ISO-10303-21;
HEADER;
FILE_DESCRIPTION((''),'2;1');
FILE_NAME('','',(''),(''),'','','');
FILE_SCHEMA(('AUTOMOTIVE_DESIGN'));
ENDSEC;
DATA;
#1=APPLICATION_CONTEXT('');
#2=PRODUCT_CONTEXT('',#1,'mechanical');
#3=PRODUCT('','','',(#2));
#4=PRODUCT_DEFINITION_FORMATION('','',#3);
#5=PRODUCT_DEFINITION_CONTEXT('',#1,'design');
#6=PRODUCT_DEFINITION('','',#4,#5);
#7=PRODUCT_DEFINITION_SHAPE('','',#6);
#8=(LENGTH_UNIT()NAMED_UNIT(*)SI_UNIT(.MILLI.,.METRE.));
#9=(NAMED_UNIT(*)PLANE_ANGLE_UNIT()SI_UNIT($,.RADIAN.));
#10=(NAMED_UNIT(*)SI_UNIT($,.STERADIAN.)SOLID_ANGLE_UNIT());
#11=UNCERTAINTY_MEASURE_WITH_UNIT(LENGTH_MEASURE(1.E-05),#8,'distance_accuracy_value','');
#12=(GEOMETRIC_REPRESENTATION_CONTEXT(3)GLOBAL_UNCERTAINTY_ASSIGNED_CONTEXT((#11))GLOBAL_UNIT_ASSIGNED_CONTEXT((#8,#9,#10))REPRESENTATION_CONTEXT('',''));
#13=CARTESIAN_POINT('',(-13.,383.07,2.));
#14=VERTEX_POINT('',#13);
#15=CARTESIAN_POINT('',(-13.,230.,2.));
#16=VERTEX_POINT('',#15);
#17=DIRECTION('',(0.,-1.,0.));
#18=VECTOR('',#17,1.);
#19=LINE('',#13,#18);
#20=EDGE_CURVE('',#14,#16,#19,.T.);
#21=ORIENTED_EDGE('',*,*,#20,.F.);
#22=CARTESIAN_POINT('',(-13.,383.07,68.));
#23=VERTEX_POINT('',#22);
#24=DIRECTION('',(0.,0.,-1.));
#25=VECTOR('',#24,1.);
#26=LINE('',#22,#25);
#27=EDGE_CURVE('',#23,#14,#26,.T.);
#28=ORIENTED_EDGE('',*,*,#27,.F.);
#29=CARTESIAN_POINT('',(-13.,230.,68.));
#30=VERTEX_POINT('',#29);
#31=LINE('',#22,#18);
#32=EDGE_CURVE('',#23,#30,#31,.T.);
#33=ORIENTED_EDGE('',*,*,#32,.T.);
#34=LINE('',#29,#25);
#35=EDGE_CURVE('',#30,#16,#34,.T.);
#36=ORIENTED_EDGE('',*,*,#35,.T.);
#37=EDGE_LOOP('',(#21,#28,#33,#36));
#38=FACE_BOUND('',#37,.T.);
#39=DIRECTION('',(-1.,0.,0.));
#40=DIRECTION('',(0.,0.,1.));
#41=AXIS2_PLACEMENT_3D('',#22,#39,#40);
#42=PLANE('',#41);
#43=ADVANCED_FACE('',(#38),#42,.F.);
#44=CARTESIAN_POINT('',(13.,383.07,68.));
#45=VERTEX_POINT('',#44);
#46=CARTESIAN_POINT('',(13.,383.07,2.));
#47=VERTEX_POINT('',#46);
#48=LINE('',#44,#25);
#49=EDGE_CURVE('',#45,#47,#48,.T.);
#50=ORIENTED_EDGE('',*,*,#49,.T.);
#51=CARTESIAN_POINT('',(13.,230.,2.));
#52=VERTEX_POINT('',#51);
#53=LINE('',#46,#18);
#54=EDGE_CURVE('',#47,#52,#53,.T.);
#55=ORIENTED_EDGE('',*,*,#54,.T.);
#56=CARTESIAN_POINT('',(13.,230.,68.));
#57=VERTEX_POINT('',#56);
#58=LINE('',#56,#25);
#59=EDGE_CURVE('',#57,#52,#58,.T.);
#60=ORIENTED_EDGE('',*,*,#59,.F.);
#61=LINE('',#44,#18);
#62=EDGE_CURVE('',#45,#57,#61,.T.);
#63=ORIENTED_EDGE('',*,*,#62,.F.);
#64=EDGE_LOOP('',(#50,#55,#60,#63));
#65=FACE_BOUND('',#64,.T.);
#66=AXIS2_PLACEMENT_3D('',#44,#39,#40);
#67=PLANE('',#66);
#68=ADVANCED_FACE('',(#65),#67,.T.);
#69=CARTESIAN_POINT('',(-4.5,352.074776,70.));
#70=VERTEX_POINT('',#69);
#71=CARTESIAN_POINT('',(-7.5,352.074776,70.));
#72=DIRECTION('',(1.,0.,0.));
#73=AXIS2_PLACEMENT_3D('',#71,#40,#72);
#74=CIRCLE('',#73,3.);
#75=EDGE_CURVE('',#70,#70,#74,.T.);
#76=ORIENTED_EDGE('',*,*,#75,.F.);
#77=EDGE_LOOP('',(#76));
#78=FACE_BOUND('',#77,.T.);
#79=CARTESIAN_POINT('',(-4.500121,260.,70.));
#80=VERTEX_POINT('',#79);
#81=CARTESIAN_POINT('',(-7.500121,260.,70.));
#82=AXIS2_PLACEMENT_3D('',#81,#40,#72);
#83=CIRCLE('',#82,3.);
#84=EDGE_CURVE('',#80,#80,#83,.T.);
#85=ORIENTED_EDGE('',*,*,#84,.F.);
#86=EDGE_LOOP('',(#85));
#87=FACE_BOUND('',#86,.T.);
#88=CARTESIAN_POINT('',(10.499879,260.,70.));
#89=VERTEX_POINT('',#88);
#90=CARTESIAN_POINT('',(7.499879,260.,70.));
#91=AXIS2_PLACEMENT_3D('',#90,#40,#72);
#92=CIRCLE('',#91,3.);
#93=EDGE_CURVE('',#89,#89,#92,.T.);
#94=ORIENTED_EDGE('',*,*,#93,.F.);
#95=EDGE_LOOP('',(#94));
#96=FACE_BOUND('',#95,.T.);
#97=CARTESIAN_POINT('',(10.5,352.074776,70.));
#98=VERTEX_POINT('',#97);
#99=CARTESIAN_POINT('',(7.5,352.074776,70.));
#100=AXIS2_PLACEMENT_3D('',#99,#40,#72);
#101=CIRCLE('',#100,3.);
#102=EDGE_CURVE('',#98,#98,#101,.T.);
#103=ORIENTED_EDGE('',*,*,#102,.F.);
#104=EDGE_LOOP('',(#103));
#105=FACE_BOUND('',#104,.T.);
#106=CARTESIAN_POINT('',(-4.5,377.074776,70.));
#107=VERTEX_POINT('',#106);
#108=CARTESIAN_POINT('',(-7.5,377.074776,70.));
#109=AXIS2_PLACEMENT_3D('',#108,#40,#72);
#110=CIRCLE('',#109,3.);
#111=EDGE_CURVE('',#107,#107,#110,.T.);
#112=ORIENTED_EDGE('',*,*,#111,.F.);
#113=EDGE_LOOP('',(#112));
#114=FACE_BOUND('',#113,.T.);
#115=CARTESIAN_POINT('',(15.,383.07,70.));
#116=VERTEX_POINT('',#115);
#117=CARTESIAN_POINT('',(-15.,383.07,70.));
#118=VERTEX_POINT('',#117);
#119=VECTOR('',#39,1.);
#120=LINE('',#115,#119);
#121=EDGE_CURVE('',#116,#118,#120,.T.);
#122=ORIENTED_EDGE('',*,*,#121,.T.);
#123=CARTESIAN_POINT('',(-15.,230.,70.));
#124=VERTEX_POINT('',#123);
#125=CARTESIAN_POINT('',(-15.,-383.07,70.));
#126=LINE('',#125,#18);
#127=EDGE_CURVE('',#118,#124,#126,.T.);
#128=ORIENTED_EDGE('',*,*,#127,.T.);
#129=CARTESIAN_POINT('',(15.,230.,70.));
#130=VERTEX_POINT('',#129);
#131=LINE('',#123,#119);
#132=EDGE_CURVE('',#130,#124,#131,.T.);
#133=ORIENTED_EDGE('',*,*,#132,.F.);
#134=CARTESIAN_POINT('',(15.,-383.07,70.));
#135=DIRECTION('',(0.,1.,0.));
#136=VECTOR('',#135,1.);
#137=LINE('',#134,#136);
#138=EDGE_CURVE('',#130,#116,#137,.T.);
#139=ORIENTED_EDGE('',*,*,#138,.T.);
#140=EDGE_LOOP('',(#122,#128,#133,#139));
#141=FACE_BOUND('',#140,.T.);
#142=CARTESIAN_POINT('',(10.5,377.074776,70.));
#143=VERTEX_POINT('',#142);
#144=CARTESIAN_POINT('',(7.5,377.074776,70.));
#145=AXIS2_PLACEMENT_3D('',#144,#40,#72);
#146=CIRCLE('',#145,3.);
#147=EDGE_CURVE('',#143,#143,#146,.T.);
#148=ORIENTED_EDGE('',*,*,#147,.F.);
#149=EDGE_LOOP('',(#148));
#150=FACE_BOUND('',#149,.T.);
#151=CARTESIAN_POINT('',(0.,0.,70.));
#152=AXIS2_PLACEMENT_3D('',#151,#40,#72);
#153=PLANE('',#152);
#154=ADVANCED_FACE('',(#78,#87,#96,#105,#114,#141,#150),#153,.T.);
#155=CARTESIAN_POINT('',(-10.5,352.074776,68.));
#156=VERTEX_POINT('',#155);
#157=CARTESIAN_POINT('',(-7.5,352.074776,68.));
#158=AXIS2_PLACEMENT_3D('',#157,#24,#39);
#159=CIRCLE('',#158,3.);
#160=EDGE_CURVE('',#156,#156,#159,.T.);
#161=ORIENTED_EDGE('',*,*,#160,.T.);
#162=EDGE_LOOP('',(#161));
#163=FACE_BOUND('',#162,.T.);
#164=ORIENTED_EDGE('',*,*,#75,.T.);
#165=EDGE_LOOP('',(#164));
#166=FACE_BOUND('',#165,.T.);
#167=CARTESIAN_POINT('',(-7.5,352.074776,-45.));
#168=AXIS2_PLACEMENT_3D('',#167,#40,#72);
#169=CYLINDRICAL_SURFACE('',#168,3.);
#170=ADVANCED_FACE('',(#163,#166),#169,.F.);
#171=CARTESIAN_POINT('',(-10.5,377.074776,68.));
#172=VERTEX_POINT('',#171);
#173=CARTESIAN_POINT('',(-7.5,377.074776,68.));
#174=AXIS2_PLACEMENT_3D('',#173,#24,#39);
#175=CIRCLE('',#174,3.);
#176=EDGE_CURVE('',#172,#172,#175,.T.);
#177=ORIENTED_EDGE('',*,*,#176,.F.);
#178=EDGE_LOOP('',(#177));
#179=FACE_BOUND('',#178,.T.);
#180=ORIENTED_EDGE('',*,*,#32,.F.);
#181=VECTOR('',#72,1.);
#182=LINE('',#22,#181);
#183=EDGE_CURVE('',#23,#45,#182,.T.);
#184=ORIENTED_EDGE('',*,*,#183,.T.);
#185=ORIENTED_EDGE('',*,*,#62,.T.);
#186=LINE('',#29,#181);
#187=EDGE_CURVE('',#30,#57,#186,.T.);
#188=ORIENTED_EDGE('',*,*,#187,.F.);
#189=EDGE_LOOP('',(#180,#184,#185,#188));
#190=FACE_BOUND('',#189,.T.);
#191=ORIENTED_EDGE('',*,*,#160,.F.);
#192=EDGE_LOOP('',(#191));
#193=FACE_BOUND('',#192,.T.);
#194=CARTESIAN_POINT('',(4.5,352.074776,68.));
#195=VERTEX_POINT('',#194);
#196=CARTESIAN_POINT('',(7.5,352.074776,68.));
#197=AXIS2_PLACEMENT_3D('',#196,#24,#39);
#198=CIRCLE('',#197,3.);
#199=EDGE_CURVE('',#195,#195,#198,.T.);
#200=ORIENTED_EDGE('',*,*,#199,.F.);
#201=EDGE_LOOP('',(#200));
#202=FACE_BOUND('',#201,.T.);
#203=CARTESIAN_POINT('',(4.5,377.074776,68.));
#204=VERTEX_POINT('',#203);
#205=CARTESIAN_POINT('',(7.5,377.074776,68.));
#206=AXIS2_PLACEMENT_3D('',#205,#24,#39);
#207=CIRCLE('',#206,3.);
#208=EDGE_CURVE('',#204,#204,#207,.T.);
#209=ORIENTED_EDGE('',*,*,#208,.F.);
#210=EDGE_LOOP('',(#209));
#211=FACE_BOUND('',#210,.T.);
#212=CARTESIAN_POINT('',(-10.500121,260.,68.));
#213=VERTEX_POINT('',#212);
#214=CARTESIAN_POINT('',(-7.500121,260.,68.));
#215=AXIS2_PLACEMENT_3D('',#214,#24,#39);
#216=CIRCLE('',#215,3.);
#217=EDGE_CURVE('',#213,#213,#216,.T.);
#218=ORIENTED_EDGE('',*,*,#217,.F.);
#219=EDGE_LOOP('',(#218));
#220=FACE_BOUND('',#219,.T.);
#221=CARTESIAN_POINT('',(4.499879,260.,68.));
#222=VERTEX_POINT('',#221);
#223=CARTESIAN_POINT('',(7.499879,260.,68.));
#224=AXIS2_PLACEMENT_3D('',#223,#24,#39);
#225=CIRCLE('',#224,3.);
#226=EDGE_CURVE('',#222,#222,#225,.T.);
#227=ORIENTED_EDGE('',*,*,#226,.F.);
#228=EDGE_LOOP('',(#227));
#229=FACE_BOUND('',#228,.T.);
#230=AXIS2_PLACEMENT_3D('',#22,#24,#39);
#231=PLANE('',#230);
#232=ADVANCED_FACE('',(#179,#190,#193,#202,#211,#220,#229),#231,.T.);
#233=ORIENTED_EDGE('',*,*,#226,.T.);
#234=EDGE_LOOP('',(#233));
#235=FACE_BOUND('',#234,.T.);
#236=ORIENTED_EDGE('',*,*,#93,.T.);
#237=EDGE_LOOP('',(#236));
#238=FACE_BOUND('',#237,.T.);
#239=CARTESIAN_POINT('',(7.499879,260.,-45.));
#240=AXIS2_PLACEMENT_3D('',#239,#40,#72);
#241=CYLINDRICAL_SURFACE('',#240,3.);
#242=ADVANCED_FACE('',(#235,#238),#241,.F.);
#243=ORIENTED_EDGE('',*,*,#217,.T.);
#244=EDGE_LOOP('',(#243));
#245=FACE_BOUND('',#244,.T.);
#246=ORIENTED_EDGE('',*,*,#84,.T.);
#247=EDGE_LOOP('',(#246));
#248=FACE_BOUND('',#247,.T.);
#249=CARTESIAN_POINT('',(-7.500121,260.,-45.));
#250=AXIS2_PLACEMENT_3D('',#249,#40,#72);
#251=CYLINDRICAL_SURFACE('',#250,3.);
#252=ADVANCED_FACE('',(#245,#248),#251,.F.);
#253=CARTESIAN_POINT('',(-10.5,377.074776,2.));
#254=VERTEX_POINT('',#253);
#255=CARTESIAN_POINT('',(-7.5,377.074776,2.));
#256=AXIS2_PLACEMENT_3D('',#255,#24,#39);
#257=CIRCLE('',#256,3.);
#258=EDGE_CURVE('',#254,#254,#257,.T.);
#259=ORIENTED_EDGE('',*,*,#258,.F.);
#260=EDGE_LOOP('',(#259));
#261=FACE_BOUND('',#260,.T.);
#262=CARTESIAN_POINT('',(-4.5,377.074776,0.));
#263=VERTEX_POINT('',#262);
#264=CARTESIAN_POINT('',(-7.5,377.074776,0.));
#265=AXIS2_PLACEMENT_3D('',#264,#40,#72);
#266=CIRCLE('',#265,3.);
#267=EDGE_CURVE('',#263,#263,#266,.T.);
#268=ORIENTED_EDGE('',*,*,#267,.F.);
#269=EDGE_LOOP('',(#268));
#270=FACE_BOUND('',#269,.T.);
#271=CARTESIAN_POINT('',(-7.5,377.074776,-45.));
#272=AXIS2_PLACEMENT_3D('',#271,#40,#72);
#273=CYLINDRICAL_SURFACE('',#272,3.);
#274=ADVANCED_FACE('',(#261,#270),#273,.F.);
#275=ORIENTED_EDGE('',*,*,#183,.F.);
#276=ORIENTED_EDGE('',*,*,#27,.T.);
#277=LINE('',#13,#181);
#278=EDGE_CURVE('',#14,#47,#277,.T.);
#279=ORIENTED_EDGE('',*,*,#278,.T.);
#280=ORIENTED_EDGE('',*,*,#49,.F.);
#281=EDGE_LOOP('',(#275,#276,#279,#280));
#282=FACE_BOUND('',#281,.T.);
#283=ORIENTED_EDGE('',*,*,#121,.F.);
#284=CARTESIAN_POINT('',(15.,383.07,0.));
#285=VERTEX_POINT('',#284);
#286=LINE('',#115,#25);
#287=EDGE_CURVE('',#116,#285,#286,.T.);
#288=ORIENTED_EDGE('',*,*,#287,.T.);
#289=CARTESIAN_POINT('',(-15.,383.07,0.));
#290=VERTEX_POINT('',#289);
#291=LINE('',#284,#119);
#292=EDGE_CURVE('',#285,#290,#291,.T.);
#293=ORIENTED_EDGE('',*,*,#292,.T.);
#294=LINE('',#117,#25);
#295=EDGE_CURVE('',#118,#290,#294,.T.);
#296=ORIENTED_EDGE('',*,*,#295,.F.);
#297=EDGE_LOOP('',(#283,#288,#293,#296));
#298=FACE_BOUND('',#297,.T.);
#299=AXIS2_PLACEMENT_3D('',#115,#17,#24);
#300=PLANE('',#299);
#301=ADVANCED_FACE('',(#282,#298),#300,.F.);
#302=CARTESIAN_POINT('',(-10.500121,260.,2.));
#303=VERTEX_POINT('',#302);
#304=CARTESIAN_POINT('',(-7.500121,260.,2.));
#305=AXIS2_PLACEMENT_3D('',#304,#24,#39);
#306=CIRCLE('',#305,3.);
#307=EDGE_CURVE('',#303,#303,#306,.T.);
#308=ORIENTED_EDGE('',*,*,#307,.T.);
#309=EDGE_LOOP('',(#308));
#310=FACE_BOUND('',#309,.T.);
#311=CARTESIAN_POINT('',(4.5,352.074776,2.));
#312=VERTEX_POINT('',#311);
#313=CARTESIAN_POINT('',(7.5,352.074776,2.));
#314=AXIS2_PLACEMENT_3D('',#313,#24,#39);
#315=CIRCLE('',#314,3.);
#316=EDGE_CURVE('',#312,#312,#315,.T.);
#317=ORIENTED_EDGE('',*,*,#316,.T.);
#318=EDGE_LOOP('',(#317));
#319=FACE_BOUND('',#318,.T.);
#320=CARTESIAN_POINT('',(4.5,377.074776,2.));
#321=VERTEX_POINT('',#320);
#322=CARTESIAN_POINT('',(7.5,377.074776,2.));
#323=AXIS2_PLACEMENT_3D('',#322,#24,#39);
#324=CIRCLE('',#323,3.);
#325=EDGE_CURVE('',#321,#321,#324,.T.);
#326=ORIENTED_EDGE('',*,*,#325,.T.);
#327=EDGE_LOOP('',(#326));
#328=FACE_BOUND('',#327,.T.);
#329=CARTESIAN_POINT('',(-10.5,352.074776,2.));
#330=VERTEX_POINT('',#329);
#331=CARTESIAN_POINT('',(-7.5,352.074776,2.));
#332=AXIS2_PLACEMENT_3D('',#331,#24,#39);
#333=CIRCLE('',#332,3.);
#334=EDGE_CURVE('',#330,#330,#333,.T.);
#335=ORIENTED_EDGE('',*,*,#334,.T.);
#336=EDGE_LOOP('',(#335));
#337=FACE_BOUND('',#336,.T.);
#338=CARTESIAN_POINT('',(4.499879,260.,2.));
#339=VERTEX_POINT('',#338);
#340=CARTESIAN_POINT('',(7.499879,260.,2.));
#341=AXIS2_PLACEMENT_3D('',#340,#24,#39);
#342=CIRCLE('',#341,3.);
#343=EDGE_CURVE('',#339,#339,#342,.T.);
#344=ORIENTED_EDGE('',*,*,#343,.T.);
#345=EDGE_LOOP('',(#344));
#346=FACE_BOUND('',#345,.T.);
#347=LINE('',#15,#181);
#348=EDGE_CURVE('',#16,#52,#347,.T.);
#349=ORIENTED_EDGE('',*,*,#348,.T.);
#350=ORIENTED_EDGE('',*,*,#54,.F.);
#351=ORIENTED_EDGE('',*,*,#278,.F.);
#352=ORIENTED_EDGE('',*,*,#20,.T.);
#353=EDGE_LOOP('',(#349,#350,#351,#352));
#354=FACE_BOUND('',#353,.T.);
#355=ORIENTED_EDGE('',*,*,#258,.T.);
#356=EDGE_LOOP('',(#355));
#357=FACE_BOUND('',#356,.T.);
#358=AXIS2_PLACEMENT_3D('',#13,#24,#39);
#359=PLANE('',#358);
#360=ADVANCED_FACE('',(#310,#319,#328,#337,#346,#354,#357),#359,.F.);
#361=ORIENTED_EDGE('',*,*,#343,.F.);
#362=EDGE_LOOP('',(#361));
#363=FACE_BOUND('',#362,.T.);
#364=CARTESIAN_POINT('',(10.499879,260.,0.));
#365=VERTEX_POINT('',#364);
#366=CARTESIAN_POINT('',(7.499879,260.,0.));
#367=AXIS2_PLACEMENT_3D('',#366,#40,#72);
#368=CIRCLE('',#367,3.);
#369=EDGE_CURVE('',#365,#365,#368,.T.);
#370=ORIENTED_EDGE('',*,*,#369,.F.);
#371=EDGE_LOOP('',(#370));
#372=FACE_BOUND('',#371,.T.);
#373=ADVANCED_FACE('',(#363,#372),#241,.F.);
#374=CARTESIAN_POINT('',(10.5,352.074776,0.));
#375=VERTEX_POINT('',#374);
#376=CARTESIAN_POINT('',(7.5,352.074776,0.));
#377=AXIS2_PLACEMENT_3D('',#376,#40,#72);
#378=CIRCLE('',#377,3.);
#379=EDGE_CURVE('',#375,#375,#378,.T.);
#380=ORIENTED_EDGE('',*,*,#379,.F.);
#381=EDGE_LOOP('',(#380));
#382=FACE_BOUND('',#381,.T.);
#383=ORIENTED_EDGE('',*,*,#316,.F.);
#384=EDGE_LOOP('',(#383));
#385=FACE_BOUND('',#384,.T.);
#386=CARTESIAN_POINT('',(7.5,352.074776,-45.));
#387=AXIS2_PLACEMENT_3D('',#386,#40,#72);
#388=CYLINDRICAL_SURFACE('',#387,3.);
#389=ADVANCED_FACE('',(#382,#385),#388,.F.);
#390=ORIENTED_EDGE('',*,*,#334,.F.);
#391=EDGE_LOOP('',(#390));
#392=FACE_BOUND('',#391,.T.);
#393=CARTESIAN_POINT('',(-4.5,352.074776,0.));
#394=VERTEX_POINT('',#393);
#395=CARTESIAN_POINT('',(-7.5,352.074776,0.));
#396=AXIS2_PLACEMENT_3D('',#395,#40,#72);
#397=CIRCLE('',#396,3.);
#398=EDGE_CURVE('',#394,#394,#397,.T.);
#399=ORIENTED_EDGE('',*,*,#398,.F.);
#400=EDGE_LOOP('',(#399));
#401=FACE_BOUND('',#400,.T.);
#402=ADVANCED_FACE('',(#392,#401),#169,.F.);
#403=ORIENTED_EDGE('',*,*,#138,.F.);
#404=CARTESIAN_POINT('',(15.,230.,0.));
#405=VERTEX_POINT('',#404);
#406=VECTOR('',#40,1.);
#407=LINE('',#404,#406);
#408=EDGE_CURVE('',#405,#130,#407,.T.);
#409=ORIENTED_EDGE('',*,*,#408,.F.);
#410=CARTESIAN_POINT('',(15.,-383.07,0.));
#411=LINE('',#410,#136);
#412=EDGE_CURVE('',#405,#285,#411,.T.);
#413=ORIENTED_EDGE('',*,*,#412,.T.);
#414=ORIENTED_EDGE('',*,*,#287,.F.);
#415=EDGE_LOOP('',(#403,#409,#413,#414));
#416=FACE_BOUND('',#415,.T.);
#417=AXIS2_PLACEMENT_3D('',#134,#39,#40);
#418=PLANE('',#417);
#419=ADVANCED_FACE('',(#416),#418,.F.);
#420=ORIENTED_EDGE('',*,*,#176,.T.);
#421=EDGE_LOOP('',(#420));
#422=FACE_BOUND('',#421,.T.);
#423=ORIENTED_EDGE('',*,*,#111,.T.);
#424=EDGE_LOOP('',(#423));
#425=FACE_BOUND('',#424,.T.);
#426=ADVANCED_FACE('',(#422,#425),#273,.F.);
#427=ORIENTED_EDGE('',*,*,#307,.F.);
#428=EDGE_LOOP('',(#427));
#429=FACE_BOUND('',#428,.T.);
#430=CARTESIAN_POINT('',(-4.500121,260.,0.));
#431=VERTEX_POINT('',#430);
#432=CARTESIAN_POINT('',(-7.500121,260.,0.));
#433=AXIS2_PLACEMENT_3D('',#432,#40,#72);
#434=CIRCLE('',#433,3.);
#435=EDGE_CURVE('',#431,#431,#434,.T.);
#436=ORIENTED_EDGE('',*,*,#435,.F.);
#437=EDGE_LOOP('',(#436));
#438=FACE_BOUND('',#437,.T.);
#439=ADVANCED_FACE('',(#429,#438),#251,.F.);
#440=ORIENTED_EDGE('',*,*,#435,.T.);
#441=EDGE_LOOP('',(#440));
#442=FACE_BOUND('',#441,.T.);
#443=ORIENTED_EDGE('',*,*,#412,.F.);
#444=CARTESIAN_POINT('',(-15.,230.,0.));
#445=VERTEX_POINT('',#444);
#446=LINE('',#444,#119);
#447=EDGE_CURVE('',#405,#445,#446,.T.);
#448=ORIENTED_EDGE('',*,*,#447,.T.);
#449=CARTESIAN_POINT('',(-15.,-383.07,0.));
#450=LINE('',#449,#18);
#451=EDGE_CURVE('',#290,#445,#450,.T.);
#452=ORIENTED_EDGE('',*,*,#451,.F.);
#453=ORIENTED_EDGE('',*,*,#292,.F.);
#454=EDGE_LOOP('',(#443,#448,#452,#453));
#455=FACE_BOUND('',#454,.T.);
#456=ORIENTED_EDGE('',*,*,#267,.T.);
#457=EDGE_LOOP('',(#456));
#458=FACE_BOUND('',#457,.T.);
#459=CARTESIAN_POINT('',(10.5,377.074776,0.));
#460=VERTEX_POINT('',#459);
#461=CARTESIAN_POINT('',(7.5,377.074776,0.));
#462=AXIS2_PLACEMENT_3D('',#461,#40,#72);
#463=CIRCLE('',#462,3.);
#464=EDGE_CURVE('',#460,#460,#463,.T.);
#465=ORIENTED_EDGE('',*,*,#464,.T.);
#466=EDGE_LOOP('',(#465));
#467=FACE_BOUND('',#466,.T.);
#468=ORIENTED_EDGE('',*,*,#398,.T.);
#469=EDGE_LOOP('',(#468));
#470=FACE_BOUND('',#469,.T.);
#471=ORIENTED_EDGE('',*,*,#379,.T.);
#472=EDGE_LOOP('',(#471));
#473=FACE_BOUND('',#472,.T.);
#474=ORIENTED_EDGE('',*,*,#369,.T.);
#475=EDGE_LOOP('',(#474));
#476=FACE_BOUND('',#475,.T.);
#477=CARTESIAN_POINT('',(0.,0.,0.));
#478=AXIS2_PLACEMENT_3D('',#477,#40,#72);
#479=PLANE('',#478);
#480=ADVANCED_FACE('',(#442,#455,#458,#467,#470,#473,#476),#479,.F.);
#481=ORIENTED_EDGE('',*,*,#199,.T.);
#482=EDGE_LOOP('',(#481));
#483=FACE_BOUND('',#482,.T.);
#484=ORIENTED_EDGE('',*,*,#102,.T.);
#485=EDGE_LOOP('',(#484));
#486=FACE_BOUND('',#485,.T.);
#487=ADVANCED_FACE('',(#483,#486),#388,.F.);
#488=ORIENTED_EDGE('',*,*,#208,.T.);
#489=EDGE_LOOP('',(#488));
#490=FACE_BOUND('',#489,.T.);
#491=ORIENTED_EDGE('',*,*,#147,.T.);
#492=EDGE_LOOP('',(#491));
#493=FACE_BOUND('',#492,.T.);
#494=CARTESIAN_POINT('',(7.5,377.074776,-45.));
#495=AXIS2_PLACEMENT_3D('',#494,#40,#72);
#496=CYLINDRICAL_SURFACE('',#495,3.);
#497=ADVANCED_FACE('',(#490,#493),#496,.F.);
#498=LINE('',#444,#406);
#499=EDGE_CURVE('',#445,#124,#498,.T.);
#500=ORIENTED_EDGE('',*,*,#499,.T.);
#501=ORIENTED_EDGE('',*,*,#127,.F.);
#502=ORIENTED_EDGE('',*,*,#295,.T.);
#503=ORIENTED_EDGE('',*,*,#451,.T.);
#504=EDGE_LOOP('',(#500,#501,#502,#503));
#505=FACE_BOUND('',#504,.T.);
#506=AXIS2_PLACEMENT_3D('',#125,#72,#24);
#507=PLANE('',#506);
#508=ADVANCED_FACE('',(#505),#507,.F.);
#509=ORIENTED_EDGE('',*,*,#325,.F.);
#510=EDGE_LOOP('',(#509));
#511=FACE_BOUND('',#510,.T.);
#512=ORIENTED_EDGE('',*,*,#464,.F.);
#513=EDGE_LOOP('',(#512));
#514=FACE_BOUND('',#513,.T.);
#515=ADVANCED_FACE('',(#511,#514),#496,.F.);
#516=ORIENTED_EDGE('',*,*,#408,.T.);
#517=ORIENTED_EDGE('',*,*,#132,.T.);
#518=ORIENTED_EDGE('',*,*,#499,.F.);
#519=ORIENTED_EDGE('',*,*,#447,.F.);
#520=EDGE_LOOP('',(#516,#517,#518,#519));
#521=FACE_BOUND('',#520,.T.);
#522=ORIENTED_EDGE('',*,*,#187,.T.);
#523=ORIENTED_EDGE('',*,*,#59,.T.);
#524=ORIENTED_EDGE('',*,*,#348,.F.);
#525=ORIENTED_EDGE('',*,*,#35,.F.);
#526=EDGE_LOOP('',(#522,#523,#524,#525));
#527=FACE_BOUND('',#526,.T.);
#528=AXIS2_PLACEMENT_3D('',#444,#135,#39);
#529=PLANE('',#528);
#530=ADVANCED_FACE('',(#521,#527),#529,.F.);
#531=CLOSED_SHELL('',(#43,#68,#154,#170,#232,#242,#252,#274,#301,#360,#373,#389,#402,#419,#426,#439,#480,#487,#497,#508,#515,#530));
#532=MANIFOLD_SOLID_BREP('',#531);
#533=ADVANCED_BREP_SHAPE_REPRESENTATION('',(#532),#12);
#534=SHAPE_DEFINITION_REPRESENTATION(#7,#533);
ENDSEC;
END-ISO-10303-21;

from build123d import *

# Parameters (mm, degrees)
SKETCH_1_W          = 30
SKETCH_1_H          = 766.14
SKETCH_1_R          = 2
SKETCH_1_R_2        = 1.999999998
EXTRUDE_2_DEPTH     = 70
SKETCH_2_W          = 26
SKETCH_2_H          = 66
CUT_EXTRUDE_3_DEPTH = 767.14
SKETCH_3_W          = 30
SKETCH_3_H          = 624.936750841
CUT_EXTRUDE_4_DEPTH = 71
SKETCH_4_R          = 3
CUT_EXTRUDE_5_DEPTH = 115


with BuildPart() as part:
    # 草图1 → 凸台-拉伸2 (new body)
    with BuildSketch(Plane.XY):
        Rectangle(SKETCH_1_W, SKETCH_1_H)
        with Locations((-7.500000035, 377.074776011)):
            Circle(SKETCH_1_R, mode=Mode.SUBTRACT)
        with Locations((7.499999965, 377.074776011)):
            Circle(SKETCH_1_R, mode=Mode.SUBTRACT)
        with Locations((-7.500000035, 352.074776011)):
            Circle(SKETCH_1_R, mode=Mode.SUBTRACT)
        with Locations((7.499999965, 352.074776011)):
            Circle(SKETCH_1_R, mode=Mode.SUBTRACT)
        with Locations((7.499878903, 260.000000008)):
            Circle(SKETCH_1_R_2, mode=Mode.SUBTRACT)
        with Locations((-7.500121097, 260.000000008)):
            Circle(SKETCH_1_R_2, mode=Mode.SUBTRACT)
    extrude(amount=EXTRUDE_2_DEPTH)

    # 草图2 → 切除-拉伸3 (cut, through all)
    with BuildSketch(Plane.XZ.offset(383.07)):
        with Locations((0, 35)):
            Rectangle(SKETCH_2_W, SKETCH_2_H)
    extrude(amount=-CUT_EXTRUDE_3_DEPTH, mode=Mode.SUBTRACT)

    # 草图3 → 切除-拉伸4 (cut, through all)
    with BuildSketch(Plane.XY.offset(70)):
        with Locations((0, -82.468375421)):
            Rectangle(SKETCH_3_W, SKETCH_3_H)
    extrude(amount=-CUT_EXTRUDE_4_DEPTH, mode=Mode.SUBTRACT)

    # 草图4 → 切除-拉伸5 (cut)
    with BuildSketch(Plane.XY.offset(70)):
        with Locations((-7.500000035, 377.074776011)):
            Circle(SKETCH_4_R)
        with Locations((7.499999965, 377.074776011)):
            Circle(SKETCH_4_R)
        with Locations((7.499999965, 352.074776011)):
            Circle(SKETCH_4_R)
        with Locations((-7.500000035, 352.074776011)):
            Circle(SKETCH_4_R)
        with Locations((-7.500121097, 260.000000008)):
            Circle(SKETCH_4_R)
        with Locations((7.499878903, 260.000000008)):
            Circle(SKETCH_4_R)
    extrude(amount=-CUT_EXTRUDE_5_DEPTH, mode=Mode.SUBTRACT)


solid = part.part
